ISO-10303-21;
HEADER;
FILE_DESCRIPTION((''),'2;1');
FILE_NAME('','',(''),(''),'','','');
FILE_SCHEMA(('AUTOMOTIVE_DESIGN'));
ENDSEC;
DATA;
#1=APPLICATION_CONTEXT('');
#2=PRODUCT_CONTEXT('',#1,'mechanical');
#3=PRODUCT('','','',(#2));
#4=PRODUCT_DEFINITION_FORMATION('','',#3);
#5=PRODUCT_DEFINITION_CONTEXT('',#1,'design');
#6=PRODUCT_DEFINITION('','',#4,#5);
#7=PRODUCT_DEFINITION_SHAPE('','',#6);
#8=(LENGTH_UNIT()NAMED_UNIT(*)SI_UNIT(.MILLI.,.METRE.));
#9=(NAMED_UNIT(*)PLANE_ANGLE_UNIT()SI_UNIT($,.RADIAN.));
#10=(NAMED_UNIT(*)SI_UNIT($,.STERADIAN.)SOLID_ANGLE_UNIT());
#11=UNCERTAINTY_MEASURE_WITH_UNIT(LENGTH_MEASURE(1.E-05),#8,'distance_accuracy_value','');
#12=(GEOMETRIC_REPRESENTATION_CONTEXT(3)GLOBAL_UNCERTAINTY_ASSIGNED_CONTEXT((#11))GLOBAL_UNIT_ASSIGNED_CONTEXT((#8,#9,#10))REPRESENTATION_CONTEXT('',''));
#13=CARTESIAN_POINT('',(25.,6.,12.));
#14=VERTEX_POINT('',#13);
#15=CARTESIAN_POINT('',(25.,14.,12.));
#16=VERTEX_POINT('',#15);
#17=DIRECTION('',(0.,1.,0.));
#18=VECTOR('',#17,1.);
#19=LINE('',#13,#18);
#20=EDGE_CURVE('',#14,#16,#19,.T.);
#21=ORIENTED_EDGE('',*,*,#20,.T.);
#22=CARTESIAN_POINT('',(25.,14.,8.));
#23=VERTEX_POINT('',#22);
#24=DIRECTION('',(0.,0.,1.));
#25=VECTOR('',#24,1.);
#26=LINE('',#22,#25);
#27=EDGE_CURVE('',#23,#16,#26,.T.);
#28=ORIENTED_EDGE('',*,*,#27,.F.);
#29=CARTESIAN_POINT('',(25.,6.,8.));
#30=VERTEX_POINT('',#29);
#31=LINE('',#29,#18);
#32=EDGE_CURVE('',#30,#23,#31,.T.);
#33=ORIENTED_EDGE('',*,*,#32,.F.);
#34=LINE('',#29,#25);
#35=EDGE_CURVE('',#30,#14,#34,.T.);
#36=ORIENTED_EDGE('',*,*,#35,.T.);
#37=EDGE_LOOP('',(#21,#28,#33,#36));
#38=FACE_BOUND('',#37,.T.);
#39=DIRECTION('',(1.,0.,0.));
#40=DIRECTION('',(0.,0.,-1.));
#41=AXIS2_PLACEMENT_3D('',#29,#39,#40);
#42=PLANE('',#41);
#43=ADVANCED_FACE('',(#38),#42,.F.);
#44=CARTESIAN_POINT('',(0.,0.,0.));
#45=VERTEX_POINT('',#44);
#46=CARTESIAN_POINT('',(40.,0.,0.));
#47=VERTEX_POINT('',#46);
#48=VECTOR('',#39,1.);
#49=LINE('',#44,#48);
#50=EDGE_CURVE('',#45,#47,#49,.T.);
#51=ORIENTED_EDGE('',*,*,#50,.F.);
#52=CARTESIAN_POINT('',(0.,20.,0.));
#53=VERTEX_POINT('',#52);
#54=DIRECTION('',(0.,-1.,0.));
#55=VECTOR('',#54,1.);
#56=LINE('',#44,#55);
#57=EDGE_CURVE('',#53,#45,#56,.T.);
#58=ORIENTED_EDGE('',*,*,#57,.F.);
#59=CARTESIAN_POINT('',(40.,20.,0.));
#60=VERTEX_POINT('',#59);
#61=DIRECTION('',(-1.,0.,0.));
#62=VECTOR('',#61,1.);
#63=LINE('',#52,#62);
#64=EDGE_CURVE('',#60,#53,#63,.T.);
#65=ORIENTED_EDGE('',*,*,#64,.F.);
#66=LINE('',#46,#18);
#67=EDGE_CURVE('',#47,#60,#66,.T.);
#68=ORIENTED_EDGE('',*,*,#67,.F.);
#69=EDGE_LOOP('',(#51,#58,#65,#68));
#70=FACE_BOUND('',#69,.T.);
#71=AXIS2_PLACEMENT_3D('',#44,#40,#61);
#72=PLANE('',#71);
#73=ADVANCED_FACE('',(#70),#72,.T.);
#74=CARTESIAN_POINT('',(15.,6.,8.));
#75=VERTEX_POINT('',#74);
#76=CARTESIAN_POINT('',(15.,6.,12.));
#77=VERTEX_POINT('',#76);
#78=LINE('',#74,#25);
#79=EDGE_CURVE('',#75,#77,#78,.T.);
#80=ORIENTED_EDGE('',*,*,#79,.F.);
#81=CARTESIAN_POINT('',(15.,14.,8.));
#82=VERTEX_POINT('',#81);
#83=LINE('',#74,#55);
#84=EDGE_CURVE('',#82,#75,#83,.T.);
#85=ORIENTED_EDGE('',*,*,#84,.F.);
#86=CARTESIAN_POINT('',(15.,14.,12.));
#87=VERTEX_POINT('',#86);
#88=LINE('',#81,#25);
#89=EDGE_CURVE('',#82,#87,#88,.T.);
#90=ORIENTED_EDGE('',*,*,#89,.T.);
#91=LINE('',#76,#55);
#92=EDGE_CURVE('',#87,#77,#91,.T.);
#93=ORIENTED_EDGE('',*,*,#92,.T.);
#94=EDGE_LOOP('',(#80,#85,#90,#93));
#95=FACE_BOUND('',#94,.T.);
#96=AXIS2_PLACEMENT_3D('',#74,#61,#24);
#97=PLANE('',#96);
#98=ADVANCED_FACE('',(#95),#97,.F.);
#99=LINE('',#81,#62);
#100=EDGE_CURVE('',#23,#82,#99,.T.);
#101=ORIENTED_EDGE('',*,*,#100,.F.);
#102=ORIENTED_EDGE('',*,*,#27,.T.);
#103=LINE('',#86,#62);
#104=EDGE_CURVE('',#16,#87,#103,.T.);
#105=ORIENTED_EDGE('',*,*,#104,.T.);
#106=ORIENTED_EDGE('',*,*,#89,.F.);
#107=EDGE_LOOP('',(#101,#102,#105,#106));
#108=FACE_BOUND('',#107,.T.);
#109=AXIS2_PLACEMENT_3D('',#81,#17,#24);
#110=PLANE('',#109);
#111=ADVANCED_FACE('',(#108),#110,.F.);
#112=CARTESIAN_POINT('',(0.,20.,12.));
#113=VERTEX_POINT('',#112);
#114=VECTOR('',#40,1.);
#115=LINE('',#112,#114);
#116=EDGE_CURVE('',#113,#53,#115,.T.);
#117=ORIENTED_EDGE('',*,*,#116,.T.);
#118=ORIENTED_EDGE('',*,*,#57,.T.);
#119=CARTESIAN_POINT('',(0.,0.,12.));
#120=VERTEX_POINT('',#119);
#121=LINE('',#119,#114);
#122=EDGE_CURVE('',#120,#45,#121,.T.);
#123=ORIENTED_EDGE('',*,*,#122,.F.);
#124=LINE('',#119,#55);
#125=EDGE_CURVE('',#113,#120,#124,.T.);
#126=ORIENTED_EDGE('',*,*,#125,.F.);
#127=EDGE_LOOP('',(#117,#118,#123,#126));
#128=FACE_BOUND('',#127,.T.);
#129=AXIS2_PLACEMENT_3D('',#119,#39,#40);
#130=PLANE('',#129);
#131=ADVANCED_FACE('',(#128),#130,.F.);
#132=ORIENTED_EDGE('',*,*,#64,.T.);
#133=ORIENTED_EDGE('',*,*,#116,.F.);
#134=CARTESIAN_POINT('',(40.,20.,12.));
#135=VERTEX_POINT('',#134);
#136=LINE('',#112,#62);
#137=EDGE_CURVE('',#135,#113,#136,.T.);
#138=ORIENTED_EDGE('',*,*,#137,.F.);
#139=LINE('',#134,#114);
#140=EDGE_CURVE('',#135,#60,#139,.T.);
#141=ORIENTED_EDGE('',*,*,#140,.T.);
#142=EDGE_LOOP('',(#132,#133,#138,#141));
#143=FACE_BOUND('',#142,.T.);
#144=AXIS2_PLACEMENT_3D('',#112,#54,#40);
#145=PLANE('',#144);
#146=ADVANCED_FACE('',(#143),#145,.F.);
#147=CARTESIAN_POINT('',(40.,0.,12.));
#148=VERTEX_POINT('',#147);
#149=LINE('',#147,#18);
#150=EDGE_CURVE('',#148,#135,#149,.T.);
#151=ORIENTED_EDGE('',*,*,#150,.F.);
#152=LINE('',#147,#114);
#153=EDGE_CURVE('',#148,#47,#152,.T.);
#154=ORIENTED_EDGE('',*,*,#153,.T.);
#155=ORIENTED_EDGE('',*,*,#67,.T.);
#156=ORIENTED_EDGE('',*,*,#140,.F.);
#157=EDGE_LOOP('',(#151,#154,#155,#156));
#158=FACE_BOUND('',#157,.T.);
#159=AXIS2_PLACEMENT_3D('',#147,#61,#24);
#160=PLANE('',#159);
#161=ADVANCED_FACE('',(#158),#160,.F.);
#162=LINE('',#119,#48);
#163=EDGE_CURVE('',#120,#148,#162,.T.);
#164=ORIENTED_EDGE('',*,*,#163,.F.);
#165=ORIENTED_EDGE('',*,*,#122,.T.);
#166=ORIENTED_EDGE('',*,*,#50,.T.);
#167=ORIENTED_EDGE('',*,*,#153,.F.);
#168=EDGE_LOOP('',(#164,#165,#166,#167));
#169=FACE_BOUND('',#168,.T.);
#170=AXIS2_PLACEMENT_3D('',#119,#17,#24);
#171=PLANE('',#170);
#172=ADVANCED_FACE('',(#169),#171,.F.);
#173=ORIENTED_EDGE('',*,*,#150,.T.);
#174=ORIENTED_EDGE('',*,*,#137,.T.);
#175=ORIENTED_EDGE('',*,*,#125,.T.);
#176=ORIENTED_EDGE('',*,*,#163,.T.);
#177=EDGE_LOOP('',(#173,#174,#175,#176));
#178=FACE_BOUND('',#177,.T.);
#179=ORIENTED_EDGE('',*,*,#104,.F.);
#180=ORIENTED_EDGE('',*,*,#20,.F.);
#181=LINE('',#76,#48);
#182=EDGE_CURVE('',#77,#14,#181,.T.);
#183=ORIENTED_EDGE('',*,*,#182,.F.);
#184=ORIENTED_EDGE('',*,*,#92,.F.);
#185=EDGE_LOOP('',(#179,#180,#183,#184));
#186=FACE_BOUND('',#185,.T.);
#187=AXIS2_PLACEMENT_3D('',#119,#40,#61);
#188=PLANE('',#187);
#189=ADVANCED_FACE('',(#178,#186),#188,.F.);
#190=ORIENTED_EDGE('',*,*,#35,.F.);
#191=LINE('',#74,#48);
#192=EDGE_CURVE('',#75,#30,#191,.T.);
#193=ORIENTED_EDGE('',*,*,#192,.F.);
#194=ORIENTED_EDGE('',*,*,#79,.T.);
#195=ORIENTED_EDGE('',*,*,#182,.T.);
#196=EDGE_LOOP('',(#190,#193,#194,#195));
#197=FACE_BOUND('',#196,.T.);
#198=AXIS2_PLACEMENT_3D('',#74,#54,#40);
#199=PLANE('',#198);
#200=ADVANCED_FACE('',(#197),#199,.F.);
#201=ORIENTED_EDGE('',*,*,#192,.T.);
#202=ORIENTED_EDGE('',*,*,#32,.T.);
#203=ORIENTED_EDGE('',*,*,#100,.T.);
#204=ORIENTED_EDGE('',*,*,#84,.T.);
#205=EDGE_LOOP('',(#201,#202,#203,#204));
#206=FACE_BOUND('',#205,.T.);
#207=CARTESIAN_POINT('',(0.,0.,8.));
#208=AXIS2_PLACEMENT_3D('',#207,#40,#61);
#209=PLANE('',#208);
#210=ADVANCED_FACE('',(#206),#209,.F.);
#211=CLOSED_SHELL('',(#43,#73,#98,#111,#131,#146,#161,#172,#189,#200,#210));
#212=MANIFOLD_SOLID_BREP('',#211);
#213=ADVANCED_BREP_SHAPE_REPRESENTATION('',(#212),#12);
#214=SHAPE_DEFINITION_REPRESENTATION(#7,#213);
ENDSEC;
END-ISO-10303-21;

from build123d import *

# Parameters (mm, degrees)
RECTANGLESKETCH_W = 40
RECTANGLESKETCH_H = 20
BLINDBOSS_DEPTH   = 12
CUTSKETCH_W       = 10
CUTSKETCH_H       = 8
BLINDCUT_DEPTH    = 4


with BuildPart() as part:
    # RectangleSketch → BlindBoss (new body)
    with BuildSketch(Plane.XY):
        with Locations((20, 10)):
            Rectangle(RECTANGLESKETCH_W, RECTANGLESKETCH_H)
    extrude(amount=BLINDBOSS_DEPTH)

    # CutSketch → BlindCut (cut)
    with BuildSketch(Plane.XY.offset(12)):
        with Locations((20, 10)):
            Rectangle(CUTSKETCH_W, CUTSKETCH_H)
    extrude(amount=-BLINDCUT_DEPTH, mode=Mode.SUBTRACT)


solid = part.part
